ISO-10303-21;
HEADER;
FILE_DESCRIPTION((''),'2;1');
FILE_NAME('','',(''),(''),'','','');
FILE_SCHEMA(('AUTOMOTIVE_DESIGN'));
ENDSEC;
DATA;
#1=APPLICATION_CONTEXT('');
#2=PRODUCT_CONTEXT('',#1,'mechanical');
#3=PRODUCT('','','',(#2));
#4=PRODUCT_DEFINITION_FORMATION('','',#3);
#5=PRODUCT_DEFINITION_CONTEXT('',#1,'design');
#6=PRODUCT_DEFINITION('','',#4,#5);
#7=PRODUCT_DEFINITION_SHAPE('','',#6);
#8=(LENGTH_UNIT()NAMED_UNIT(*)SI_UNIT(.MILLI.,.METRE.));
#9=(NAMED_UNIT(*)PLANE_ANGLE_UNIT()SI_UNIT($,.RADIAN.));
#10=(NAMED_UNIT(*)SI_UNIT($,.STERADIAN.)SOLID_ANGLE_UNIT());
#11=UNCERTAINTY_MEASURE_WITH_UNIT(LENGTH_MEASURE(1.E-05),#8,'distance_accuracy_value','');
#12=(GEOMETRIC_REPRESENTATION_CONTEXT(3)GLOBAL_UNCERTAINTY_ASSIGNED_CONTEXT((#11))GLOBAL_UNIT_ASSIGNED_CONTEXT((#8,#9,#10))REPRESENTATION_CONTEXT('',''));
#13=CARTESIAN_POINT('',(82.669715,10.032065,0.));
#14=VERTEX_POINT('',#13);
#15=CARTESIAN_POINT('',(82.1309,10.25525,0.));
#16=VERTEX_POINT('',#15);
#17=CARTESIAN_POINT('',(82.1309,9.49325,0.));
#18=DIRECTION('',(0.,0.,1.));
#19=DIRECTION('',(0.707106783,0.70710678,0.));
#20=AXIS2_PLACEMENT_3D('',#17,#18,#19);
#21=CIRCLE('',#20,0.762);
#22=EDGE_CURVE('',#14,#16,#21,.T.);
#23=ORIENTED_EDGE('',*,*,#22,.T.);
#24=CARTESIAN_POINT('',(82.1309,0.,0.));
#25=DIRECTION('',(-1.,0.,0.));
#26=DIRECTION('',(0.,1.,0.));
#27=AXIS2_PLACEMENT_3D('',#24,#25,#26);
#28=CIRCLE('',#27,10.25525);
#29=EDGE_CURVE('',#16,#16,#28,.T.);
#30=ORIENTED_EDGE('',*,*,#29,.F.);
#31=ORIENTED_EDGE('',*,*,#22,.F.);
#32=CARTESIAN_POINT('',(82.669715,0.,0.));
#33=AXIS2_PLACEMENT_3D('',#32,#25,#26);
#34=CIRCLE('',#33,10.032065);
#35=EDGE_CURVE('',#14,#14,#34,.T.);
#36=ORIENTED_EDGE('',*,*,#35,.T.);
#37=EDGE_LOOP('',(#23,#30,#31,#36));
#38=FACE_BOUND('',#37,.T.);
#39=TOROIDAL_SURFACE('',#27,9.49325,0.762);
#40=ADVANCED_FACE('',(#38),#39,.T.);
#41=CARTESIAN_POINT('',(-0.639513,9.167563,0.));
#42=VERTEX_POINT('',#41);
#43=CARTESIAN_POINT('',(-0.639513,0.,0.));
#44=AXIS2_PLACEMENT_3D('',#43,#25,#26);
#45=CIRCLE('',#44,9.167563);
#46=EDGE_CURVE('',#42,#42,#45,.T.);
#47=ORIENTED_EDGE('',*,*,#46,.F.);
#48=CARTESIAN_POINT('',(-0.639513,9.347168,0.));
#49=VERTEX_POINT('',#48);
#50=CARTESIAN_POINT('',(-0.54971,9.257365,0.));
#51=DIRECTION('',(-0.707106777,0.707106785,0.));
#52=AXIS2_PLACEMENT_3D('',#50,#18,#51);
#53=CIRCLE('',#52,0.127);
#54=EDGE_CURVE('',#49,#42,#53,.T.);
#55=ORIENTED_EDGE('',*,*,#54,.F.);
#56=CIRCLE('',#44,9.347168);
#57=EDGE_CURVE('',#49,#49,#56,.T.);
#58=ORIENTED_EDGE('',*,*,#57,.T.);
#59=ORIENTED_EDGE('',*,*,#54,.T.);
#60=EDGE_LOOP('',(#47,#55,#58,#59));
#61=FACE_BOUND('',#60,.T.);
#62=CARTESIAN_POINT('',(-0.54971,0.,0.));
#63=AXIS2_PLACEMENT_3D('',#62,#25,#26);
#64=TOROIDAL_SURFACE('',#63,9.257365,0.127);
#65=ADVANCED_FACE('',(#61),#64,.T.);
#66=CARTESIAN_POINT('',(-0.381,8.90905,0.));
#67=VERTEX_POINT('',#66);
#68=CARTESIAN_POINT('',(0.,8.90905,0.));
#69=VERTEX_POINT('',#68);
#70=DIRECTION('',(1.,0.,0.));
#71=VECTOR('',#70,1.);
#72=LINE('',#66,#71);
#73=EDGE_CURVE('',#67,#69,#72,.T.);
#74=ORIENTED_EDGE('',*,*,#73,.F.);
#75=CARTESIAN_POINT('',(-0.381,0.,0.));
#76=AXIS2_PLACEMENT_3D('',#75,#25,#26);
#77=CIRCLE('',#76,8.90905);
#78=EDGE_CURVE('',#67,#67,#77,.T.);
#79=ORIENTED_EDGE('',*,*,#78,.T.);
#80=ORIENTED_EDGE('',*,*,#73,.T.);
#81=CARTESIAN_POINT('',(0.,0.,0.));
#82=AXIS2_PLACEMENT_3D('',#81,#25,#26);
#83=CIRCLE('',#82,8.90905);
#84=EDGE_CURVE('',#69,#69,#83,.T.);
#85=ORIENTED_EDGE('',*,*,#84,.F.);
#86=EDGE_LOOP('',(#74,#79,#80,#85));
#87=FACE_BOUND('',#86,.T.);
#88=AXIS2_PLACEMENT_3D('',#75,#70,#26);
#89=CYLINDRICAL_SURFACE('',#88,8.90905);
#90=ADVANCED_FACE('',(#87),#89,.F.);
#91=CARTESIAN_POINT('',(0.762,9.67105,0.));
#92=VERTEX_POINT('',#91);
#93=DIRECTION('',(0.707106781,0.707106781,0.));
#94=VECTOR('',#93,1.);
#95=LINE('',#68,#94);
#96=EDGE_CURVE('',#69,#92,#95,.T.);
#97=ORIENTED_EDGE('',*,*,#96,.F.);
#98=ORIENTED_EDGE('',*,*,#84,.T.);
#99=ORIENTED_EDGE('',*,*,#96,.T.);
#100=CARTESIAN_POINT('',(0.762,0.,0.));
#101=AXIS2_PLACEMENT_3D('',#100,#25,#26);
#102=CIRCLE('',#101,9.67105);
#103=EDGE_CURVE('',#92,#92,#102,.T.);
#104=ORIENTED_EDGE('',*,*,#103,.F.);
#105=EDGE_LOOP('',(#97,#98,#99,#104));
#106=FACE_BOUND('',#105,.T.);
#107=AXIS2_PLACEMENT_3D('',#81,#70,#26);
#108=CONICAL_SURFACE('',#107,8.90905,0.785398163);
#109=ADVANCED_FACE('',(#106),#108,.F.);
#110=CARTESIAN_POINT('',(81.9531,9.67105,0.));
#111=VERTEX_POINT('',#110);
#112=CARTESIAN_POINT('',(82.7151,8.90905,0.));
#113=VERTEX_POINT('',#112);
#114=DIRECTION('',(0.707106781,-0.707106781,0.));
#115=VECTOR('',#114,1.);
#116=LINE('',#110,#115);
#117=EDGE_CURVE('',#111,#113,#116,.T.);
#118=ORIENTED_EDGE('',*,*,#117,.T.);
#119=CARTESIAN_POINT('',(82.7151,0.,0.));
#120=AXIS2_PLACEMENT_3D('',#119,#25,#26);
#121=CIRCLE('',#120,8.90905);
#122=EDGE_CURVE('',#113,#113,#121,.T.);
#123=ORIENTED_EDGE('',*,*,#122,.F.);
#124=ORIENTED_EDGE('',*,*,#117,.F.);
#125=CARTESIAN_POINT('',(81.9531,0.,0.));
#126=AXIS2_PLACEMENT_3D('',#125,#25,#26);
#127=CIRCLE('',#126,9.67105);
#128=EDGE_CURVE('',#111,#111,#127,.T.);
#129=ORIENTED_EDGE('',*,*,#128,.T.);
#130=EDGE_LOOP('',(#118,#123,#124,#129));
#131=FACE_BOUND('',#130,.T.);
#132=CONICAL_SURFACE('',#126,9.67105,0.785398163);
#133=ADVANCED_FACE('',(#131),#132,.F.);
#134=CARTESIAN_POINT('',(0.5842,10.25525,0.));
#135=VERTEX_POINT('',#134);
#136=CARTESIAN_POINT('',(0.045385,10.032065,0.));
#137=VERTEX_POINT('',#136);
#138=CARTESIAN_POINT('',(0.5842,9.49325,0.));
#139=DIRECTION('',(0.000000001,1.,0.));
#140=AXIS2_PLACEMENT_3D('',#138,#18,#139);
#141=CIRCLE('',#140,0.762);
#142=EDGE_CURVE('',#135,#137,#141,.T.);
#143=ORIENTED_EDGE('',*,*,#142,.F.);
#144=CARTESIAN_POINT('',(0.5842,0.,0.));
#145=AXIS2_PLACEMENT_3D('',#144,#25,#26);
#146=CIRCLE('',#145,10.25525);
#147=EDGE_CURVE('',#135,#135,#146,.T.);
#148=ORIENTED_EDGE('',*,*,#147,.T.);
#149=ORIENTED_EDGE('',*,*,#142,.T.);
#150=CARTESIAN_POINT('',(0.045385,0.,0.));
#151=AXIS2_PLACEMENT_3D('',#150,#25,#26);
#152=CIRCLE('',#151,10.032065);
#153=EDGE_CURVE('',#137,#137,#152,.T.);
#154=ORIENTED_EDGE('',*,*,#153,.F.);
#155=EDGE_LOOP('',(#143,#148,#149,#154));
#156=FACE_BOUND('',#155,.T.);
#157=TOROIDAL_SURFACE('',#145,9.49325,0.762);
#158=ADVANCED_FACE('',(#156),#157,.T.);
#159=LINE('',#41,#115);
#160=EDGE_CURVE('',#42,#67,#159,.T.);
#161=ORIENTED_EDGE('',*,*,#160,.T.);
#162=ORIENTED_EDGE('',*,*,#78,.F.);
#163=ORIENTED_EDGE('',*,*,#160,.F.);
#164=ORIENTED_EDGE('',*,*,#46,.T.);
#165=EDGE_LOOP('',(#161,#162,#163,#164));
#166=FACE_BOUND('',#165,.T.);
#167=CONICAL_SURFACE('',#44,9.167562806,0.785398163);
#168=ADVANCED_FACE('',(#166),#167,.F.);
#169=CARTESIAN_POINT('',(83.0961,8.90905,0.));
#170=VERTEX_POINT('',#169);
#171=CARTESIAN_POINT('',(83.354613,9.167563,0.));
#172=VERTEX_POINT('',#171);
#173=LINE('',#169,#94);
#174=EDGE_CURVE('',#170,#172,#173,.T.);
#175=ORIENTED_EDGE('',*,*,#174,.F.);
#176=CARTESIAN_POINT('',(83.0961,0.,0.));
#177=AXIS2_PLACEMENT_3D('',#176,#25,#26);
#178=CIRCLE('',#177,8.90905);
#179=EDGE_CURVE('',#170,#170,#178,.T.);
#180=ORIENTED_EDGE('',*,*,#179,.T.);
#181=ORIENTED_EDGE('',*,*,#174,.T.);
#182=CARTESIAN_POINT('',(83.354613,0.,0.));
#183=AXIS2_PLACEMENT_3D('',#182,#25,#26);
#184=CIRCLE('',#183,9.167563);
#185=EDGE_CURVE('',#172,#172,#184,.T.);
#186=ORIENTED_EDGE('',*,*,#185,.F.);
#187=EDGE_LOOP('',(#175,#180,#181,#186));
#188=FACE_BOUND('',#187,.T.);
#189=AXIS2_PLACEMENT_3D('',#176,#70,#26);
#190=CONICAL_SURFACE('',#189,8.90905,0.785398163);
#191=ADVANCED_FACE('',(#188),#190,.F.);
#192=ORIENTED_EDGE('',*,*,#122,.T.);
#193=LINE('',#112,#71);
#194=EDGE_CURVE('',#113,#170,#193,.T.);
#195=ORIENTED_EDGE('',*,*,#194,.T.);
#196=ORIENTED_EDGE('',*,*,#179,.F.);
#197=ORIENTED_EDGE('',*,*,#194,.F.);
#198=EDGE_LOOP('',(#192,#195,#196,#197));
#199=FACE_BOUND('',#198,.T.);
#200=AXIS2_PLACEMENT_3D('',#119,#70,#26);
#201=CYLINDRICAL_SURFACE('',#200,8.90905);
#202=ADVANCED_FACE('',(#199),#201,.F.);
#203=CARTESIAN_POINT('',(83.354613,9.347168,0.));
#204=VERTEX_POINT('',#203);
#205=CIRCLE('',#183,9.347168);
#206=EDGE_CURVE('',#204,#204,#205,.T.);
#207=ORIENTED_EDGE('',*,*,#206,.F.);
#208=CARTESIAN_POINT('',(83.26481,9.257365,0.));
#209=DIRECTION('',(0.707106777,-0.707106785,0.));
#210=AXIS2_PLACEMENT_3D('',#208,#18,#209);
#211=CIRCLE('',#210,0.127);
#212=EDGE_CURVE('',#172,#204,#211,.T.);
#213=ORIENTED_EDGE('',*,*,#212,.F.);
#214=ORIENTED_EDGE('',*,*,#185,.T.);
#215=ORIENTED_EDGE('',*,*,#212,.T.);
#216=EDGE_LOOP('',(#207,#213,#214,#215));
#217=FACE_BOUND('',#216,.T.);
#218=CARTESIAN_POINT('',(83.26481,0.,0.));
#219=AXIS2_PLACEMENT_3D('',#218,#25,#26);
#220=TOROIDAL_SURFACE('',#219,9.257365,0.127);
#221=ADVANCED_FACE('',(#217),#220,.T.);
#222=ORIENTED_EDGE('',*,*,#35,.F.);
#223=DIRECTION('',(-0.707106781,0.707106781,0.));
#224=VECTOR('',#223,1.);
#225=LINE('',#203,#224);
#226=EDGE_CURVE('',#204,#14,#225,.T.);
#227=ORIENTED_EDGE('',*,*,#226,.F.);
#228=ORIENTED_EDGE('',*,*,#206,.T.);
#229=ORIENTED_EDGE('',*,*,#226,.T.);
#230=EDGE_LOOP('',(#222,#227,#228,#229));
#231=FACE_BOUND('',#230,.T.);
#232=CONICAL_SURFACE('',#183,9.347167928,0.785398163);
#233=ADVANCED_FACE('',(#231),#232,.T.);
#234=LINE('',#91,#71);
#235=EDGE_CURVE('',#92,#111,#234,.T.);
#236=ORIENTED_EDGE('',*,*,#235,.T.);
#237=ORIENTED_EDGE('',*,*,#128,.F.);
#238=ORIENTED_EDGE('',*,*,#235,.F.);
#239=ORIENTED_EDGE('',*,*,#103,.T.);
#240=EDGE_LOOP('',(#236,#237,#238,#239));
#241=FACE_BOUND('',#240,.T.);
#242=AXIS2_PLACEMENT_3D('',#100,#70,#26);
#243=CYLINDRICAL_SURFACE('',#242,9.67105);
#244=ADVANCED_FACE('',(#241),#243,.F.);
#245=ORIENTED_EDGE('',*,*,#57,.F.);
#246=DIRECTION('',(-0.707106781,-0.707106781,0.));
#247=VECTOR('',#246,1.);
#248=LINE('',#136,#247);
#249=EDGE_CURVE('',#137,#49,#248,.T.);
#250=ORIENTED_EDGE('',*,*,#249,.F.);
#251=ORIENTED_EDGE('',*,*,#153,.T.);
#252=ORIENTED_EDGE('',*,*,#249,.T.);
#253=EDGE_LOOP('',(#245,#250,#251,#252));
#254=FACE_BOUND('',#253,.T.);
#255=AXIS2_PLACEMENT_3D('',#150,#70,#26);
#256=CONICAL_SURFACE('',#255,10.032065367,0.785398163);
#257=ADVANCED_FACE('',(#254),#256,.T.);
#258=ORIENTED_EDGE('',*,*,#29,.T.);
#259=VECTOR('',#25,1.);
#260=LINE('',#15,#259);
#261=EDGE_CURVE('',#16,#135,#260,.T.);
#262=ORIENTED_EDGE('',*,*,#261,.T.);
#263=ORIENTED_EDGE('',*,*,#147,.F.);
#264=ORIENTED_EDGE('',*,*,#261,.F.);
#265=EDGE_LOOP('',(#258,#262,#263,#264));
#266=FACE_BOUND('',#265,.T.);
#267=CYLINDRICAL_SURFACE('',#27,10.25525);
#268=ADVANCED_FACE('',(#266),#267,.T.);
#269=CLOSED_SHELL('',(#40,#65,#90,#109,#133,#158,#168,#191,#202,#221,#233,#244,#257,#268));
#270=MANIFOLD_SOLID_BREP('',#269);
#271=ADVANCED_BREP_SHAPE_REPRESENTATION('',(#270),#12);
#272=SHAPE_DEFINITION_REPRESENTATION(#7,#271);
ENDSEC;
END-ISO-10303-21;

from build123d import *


with BuildPart() as part:
    # Sketch1 → Revolve1 (revolve)
    with BuildSketch(Plane.XY):
        with BuildLine():
            Line((-0.639512806, 9.167562806), (-0.381, 8.90905))
            Line((-0.381, 8.90905), (0, 8.90905))
            Line((0, 8.90905), (0.762, 9.67105))
            Line((0.762, 9.67105), (81.9531, 9.67105))
            Line((81.9531, 9.67105), (82.7151, 8.90905))
            Line((82.7151, 8.90905), (83.0961, 8.90905))
            Line((83.0961, 8.90905), (83.354612806, 9.167562806))
            ThreePointArc((83.354612806, 9.167562806), (83.391810245, 9.257365367), (83.354612806, 9.347167928))
            Line((83.354612806, 9.347167928), (82.669715367, 10.032065367))
            ThreePointArc((82.669715367, 10.032065367), (82.422504775, 10.197246204), (82.1309, 10.25525))
            Line((82.1309, 10.25525), (0.5842, 10.25525))
            ThreePointArc((0.5842, 10.25525), (0.292595225, 10.197246204), (0.045384633, 10.032065367))
            Line((0.045384633, 10.032065367), (-0.639512806, 9.347167928))
            ThreePointArc((-0.639512806, 9.347167928), (-0.676710245, 9.257365367), (-0.639512806, 9.167562806))
        make_face()
    revolve(axis=Axis((82.7151, 0, 0), (-1, 0, 0)))


solid = part.part
